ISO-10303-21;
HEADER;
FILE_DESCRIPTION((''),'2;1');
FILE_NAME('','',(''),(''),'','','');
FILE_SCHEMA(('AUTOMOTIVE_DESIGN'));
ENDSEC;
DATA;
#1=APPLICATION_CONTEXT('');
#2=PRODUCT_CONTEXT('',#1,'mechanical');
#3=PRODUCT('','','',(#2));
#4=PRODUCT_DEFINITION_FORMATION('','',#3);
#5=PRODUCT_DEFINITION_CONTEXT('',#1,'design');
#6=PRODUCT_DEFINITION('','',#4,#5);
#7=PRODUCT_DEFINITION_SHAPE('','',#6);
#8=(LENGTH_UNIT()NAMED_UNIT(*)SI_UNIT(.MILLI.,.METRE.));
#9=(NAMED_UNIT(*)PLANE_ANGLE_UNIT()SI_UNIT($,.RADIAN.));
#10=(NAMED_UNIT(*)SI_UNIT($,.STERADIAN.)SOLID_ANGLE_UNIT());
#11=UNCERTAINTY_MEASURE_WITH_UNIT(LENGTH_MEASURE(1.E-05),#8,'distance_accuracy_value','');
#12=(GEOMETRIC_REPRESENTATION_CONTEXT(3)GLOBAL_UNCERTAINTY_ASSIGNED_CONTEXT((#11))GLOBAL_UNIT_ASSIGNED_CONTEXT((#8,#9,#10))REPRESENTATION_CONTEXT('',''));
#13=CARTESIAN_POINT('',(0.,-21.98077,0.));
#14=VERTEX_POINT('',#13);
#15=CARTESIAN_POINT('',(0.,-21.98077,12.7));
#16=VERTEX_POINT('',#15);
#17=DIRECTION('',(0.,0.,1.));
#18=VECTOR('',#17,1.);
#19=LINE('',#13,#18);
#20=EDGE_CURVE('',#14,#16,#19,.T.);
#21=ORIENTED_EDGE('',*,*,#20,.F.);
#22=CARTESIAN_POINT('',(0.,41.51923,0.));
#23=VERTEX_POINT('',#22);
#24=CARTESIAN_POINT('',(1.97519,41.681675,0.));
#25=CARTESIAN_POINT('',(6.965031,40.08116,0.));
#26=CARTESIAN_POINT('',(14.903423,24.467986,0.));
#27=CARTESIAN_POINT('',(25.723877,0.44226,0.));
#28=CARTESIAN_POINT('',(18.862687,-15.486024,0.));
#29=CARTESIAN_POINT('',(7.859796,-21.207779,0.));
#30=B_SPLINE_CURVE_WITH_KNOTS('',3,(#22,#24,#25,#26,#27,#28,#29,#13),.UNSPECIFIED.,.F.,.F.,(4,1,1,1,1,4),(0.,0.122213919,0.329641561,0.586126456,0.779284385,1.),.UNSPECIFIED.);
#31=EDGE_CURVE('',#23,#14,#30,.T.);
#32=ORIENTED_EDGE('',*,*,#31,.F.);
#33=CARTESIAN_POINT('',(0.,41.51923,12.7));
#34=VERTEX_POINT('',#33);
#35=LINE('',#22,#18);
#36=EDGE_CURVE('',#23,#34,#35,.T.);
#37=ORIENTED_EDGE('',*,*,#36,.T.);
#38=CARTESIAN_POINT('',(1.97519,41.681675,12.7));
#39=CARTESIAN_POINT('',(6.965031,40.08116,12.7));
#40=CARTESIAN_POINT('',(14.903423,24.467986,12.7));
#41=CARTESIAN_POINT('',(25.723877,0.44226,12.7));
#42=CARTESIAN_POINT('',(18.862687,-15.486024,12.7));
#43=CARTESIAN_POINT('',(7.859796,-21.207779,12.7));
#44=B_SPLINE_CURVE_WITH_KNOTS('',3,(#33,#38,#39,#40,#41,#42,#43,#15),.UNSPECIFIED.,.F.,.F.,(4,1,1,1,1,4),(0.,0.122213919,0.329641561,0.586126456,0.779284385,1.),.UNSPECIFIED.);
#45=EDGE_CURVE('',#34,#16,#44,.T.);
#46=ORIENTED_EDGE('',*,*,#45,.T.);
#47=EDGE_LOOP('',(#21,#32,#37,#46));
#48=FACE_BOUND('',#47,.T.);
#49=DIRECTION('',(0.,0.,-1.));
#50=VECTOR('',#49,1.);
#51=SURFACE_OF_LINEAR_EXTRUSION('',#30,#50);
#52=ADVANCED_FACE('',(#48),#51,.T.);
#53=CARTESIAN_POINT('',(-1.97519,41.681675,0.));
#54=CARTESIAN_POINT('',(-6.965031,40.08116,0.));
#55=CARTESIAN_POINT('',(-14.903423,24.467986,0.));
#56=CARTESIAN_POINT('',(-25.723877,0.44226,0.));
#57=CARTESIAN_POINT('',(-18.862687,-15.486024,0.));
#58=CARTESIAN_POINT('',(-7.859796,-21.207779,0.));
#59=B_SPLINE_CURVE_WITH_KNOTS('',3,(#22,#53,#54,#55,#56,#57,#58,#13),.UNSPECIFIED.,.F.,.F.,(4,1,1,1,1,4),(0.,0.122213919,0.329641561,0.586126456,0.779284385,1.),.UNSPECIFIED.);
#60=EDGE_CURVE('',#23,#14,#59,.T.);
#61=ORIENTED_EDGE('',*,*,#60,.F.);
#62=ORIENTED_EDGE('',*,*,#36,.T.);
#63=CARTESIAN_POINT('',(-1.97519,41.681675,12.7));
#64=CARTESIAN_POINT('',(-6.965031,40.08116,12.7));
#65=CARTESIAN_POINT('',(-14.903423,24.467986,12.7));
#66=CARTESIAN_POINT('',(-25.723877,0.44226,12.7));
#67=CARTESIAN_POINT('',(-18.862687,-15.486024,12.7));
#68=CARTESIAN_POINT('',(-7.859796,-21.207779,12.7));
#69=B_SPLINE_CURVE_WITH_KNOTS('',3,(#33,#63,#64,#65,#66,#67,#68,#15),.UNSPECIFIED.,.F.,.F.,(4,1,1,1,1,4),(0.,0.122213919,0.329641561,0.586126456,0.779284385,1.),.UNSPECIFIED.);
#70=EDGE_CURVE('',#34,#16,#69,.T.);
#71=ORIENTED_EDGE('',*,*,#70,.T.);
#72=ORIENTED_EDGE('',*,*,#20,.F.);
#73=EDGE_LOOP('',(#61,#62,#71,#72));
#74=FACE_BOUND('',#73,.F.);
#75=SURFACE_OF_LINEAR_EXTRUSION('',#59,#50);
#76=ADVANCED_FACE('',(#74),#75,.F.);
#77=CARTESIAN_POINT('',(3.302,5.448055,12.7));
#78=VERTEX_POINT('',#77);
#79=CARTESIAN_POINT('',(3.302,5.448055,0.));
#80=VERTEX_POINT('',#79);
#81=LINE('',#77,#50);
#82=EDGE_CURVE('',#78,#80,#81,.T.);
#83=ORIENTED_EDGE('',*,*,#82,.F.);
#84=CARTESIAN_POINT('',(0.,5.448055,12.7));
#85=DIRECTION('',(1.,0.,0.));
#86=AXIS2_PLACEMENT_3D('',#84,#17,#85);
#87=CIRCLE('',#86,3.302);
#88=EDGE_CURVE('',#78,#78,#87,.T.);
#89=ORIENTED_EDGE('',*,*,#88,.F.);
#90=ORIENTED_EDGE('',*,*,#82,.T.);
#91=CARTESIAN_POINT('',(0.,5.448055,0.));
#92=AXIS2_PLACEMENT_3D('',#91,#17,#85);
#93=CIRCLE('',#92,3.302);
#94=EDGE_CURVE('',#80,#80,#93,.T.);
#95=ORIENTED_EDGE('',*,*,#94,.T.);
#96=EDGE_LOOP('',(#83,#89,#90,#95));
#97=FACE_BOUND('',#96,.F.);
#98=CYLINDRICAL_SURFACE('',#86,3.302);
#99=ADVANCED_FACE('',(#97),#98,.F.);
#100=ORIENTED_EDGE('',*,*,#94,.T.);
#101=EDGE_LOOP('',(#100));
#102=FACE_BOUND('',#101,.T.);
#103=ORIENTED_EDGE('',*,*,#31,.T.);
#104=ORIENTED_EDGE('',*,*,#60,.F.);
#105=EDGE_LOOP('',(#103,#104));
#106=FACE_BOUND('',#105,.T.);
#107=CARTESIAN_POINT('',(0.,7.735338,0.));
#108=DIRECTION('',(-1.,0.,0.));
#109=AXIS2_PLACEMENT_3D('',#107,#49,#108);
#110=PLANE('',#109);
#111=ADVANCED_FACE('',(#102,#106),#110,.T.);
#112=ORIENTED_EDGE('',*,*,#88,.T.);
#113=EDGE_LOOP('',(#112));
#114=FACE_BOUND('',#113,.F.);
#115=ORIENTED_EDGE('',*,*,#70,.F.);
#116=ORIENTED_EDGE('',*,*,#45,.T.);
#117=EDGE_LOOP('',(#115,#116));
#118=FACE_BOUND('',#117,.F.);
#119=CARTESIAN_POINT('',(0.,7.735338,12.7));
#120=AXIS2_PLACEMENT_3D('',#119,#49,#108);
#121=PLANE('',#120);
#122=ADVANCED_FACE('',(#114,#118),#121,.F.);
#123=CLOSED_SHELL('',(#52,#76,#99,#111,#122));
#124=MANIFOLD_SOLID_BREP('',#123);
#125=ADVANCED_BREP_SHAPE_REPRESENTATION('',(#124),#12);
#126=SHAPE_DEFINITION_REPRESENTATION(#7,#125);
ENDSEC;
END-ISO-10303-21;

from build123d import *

# Parameters (mm, degrees)
F1_DEPTH = 12.7
F2_R     = 3.302
F3_DEPTH = 12.7


with BuildPart() as f1:
    # F0 (on Top) → F1 (new body)
    with BuildSketch(Plane.XY):
        with BuildLine():
            add(Edge.make_bspline(
                [(0, 41.5192297852), (1.9751904324, 41.6816747305), (6.9650308223, 40.0811600619), (14.9034229142, 24.4679856725), (25.7238773111, 0.4422597255), (18.8626873127, -15.4860236407), (7.859795797, -21.2077794272), (0, -21.9807702148)],
                knots=[0, 0, 0, 0, 0.1222139189, 0.3296415608, 0.5861264557, 0.7792843851, 1, 1, 1, 1], degree=3))
            add(Edge.make_bspline(
                [(0, 41.5192297852), (-1.9751904324, 41.6816747305), (-6.9650308223, 40.0811600619), (-14.9034229142, 24.4679856725), (-25.7238773111, 0.4422597255), (-18.8626873127, -15.4860236407), (-7.859795797, -21.2077794272), (0, -21.9807702148)],
                knots=[0, 0, 0, 0, 0.1222139189, 0.3296415608, 0.5861264557, 0.7792843851, 1, 1, 1, 1], degree=3))
        make_face()
    extrude(amount=F1_DEPTH)

    # F2 (on face) → F3 (cut)
    with BuildSketch(Plane.XY.offset(12.7)):
        with Locations((0, 5.4480545598)):
            Circle(F2_R)
    extrude(amount=-F3_DEPTH, mode=Mode.SUBTRACT)


solid = f1.part
